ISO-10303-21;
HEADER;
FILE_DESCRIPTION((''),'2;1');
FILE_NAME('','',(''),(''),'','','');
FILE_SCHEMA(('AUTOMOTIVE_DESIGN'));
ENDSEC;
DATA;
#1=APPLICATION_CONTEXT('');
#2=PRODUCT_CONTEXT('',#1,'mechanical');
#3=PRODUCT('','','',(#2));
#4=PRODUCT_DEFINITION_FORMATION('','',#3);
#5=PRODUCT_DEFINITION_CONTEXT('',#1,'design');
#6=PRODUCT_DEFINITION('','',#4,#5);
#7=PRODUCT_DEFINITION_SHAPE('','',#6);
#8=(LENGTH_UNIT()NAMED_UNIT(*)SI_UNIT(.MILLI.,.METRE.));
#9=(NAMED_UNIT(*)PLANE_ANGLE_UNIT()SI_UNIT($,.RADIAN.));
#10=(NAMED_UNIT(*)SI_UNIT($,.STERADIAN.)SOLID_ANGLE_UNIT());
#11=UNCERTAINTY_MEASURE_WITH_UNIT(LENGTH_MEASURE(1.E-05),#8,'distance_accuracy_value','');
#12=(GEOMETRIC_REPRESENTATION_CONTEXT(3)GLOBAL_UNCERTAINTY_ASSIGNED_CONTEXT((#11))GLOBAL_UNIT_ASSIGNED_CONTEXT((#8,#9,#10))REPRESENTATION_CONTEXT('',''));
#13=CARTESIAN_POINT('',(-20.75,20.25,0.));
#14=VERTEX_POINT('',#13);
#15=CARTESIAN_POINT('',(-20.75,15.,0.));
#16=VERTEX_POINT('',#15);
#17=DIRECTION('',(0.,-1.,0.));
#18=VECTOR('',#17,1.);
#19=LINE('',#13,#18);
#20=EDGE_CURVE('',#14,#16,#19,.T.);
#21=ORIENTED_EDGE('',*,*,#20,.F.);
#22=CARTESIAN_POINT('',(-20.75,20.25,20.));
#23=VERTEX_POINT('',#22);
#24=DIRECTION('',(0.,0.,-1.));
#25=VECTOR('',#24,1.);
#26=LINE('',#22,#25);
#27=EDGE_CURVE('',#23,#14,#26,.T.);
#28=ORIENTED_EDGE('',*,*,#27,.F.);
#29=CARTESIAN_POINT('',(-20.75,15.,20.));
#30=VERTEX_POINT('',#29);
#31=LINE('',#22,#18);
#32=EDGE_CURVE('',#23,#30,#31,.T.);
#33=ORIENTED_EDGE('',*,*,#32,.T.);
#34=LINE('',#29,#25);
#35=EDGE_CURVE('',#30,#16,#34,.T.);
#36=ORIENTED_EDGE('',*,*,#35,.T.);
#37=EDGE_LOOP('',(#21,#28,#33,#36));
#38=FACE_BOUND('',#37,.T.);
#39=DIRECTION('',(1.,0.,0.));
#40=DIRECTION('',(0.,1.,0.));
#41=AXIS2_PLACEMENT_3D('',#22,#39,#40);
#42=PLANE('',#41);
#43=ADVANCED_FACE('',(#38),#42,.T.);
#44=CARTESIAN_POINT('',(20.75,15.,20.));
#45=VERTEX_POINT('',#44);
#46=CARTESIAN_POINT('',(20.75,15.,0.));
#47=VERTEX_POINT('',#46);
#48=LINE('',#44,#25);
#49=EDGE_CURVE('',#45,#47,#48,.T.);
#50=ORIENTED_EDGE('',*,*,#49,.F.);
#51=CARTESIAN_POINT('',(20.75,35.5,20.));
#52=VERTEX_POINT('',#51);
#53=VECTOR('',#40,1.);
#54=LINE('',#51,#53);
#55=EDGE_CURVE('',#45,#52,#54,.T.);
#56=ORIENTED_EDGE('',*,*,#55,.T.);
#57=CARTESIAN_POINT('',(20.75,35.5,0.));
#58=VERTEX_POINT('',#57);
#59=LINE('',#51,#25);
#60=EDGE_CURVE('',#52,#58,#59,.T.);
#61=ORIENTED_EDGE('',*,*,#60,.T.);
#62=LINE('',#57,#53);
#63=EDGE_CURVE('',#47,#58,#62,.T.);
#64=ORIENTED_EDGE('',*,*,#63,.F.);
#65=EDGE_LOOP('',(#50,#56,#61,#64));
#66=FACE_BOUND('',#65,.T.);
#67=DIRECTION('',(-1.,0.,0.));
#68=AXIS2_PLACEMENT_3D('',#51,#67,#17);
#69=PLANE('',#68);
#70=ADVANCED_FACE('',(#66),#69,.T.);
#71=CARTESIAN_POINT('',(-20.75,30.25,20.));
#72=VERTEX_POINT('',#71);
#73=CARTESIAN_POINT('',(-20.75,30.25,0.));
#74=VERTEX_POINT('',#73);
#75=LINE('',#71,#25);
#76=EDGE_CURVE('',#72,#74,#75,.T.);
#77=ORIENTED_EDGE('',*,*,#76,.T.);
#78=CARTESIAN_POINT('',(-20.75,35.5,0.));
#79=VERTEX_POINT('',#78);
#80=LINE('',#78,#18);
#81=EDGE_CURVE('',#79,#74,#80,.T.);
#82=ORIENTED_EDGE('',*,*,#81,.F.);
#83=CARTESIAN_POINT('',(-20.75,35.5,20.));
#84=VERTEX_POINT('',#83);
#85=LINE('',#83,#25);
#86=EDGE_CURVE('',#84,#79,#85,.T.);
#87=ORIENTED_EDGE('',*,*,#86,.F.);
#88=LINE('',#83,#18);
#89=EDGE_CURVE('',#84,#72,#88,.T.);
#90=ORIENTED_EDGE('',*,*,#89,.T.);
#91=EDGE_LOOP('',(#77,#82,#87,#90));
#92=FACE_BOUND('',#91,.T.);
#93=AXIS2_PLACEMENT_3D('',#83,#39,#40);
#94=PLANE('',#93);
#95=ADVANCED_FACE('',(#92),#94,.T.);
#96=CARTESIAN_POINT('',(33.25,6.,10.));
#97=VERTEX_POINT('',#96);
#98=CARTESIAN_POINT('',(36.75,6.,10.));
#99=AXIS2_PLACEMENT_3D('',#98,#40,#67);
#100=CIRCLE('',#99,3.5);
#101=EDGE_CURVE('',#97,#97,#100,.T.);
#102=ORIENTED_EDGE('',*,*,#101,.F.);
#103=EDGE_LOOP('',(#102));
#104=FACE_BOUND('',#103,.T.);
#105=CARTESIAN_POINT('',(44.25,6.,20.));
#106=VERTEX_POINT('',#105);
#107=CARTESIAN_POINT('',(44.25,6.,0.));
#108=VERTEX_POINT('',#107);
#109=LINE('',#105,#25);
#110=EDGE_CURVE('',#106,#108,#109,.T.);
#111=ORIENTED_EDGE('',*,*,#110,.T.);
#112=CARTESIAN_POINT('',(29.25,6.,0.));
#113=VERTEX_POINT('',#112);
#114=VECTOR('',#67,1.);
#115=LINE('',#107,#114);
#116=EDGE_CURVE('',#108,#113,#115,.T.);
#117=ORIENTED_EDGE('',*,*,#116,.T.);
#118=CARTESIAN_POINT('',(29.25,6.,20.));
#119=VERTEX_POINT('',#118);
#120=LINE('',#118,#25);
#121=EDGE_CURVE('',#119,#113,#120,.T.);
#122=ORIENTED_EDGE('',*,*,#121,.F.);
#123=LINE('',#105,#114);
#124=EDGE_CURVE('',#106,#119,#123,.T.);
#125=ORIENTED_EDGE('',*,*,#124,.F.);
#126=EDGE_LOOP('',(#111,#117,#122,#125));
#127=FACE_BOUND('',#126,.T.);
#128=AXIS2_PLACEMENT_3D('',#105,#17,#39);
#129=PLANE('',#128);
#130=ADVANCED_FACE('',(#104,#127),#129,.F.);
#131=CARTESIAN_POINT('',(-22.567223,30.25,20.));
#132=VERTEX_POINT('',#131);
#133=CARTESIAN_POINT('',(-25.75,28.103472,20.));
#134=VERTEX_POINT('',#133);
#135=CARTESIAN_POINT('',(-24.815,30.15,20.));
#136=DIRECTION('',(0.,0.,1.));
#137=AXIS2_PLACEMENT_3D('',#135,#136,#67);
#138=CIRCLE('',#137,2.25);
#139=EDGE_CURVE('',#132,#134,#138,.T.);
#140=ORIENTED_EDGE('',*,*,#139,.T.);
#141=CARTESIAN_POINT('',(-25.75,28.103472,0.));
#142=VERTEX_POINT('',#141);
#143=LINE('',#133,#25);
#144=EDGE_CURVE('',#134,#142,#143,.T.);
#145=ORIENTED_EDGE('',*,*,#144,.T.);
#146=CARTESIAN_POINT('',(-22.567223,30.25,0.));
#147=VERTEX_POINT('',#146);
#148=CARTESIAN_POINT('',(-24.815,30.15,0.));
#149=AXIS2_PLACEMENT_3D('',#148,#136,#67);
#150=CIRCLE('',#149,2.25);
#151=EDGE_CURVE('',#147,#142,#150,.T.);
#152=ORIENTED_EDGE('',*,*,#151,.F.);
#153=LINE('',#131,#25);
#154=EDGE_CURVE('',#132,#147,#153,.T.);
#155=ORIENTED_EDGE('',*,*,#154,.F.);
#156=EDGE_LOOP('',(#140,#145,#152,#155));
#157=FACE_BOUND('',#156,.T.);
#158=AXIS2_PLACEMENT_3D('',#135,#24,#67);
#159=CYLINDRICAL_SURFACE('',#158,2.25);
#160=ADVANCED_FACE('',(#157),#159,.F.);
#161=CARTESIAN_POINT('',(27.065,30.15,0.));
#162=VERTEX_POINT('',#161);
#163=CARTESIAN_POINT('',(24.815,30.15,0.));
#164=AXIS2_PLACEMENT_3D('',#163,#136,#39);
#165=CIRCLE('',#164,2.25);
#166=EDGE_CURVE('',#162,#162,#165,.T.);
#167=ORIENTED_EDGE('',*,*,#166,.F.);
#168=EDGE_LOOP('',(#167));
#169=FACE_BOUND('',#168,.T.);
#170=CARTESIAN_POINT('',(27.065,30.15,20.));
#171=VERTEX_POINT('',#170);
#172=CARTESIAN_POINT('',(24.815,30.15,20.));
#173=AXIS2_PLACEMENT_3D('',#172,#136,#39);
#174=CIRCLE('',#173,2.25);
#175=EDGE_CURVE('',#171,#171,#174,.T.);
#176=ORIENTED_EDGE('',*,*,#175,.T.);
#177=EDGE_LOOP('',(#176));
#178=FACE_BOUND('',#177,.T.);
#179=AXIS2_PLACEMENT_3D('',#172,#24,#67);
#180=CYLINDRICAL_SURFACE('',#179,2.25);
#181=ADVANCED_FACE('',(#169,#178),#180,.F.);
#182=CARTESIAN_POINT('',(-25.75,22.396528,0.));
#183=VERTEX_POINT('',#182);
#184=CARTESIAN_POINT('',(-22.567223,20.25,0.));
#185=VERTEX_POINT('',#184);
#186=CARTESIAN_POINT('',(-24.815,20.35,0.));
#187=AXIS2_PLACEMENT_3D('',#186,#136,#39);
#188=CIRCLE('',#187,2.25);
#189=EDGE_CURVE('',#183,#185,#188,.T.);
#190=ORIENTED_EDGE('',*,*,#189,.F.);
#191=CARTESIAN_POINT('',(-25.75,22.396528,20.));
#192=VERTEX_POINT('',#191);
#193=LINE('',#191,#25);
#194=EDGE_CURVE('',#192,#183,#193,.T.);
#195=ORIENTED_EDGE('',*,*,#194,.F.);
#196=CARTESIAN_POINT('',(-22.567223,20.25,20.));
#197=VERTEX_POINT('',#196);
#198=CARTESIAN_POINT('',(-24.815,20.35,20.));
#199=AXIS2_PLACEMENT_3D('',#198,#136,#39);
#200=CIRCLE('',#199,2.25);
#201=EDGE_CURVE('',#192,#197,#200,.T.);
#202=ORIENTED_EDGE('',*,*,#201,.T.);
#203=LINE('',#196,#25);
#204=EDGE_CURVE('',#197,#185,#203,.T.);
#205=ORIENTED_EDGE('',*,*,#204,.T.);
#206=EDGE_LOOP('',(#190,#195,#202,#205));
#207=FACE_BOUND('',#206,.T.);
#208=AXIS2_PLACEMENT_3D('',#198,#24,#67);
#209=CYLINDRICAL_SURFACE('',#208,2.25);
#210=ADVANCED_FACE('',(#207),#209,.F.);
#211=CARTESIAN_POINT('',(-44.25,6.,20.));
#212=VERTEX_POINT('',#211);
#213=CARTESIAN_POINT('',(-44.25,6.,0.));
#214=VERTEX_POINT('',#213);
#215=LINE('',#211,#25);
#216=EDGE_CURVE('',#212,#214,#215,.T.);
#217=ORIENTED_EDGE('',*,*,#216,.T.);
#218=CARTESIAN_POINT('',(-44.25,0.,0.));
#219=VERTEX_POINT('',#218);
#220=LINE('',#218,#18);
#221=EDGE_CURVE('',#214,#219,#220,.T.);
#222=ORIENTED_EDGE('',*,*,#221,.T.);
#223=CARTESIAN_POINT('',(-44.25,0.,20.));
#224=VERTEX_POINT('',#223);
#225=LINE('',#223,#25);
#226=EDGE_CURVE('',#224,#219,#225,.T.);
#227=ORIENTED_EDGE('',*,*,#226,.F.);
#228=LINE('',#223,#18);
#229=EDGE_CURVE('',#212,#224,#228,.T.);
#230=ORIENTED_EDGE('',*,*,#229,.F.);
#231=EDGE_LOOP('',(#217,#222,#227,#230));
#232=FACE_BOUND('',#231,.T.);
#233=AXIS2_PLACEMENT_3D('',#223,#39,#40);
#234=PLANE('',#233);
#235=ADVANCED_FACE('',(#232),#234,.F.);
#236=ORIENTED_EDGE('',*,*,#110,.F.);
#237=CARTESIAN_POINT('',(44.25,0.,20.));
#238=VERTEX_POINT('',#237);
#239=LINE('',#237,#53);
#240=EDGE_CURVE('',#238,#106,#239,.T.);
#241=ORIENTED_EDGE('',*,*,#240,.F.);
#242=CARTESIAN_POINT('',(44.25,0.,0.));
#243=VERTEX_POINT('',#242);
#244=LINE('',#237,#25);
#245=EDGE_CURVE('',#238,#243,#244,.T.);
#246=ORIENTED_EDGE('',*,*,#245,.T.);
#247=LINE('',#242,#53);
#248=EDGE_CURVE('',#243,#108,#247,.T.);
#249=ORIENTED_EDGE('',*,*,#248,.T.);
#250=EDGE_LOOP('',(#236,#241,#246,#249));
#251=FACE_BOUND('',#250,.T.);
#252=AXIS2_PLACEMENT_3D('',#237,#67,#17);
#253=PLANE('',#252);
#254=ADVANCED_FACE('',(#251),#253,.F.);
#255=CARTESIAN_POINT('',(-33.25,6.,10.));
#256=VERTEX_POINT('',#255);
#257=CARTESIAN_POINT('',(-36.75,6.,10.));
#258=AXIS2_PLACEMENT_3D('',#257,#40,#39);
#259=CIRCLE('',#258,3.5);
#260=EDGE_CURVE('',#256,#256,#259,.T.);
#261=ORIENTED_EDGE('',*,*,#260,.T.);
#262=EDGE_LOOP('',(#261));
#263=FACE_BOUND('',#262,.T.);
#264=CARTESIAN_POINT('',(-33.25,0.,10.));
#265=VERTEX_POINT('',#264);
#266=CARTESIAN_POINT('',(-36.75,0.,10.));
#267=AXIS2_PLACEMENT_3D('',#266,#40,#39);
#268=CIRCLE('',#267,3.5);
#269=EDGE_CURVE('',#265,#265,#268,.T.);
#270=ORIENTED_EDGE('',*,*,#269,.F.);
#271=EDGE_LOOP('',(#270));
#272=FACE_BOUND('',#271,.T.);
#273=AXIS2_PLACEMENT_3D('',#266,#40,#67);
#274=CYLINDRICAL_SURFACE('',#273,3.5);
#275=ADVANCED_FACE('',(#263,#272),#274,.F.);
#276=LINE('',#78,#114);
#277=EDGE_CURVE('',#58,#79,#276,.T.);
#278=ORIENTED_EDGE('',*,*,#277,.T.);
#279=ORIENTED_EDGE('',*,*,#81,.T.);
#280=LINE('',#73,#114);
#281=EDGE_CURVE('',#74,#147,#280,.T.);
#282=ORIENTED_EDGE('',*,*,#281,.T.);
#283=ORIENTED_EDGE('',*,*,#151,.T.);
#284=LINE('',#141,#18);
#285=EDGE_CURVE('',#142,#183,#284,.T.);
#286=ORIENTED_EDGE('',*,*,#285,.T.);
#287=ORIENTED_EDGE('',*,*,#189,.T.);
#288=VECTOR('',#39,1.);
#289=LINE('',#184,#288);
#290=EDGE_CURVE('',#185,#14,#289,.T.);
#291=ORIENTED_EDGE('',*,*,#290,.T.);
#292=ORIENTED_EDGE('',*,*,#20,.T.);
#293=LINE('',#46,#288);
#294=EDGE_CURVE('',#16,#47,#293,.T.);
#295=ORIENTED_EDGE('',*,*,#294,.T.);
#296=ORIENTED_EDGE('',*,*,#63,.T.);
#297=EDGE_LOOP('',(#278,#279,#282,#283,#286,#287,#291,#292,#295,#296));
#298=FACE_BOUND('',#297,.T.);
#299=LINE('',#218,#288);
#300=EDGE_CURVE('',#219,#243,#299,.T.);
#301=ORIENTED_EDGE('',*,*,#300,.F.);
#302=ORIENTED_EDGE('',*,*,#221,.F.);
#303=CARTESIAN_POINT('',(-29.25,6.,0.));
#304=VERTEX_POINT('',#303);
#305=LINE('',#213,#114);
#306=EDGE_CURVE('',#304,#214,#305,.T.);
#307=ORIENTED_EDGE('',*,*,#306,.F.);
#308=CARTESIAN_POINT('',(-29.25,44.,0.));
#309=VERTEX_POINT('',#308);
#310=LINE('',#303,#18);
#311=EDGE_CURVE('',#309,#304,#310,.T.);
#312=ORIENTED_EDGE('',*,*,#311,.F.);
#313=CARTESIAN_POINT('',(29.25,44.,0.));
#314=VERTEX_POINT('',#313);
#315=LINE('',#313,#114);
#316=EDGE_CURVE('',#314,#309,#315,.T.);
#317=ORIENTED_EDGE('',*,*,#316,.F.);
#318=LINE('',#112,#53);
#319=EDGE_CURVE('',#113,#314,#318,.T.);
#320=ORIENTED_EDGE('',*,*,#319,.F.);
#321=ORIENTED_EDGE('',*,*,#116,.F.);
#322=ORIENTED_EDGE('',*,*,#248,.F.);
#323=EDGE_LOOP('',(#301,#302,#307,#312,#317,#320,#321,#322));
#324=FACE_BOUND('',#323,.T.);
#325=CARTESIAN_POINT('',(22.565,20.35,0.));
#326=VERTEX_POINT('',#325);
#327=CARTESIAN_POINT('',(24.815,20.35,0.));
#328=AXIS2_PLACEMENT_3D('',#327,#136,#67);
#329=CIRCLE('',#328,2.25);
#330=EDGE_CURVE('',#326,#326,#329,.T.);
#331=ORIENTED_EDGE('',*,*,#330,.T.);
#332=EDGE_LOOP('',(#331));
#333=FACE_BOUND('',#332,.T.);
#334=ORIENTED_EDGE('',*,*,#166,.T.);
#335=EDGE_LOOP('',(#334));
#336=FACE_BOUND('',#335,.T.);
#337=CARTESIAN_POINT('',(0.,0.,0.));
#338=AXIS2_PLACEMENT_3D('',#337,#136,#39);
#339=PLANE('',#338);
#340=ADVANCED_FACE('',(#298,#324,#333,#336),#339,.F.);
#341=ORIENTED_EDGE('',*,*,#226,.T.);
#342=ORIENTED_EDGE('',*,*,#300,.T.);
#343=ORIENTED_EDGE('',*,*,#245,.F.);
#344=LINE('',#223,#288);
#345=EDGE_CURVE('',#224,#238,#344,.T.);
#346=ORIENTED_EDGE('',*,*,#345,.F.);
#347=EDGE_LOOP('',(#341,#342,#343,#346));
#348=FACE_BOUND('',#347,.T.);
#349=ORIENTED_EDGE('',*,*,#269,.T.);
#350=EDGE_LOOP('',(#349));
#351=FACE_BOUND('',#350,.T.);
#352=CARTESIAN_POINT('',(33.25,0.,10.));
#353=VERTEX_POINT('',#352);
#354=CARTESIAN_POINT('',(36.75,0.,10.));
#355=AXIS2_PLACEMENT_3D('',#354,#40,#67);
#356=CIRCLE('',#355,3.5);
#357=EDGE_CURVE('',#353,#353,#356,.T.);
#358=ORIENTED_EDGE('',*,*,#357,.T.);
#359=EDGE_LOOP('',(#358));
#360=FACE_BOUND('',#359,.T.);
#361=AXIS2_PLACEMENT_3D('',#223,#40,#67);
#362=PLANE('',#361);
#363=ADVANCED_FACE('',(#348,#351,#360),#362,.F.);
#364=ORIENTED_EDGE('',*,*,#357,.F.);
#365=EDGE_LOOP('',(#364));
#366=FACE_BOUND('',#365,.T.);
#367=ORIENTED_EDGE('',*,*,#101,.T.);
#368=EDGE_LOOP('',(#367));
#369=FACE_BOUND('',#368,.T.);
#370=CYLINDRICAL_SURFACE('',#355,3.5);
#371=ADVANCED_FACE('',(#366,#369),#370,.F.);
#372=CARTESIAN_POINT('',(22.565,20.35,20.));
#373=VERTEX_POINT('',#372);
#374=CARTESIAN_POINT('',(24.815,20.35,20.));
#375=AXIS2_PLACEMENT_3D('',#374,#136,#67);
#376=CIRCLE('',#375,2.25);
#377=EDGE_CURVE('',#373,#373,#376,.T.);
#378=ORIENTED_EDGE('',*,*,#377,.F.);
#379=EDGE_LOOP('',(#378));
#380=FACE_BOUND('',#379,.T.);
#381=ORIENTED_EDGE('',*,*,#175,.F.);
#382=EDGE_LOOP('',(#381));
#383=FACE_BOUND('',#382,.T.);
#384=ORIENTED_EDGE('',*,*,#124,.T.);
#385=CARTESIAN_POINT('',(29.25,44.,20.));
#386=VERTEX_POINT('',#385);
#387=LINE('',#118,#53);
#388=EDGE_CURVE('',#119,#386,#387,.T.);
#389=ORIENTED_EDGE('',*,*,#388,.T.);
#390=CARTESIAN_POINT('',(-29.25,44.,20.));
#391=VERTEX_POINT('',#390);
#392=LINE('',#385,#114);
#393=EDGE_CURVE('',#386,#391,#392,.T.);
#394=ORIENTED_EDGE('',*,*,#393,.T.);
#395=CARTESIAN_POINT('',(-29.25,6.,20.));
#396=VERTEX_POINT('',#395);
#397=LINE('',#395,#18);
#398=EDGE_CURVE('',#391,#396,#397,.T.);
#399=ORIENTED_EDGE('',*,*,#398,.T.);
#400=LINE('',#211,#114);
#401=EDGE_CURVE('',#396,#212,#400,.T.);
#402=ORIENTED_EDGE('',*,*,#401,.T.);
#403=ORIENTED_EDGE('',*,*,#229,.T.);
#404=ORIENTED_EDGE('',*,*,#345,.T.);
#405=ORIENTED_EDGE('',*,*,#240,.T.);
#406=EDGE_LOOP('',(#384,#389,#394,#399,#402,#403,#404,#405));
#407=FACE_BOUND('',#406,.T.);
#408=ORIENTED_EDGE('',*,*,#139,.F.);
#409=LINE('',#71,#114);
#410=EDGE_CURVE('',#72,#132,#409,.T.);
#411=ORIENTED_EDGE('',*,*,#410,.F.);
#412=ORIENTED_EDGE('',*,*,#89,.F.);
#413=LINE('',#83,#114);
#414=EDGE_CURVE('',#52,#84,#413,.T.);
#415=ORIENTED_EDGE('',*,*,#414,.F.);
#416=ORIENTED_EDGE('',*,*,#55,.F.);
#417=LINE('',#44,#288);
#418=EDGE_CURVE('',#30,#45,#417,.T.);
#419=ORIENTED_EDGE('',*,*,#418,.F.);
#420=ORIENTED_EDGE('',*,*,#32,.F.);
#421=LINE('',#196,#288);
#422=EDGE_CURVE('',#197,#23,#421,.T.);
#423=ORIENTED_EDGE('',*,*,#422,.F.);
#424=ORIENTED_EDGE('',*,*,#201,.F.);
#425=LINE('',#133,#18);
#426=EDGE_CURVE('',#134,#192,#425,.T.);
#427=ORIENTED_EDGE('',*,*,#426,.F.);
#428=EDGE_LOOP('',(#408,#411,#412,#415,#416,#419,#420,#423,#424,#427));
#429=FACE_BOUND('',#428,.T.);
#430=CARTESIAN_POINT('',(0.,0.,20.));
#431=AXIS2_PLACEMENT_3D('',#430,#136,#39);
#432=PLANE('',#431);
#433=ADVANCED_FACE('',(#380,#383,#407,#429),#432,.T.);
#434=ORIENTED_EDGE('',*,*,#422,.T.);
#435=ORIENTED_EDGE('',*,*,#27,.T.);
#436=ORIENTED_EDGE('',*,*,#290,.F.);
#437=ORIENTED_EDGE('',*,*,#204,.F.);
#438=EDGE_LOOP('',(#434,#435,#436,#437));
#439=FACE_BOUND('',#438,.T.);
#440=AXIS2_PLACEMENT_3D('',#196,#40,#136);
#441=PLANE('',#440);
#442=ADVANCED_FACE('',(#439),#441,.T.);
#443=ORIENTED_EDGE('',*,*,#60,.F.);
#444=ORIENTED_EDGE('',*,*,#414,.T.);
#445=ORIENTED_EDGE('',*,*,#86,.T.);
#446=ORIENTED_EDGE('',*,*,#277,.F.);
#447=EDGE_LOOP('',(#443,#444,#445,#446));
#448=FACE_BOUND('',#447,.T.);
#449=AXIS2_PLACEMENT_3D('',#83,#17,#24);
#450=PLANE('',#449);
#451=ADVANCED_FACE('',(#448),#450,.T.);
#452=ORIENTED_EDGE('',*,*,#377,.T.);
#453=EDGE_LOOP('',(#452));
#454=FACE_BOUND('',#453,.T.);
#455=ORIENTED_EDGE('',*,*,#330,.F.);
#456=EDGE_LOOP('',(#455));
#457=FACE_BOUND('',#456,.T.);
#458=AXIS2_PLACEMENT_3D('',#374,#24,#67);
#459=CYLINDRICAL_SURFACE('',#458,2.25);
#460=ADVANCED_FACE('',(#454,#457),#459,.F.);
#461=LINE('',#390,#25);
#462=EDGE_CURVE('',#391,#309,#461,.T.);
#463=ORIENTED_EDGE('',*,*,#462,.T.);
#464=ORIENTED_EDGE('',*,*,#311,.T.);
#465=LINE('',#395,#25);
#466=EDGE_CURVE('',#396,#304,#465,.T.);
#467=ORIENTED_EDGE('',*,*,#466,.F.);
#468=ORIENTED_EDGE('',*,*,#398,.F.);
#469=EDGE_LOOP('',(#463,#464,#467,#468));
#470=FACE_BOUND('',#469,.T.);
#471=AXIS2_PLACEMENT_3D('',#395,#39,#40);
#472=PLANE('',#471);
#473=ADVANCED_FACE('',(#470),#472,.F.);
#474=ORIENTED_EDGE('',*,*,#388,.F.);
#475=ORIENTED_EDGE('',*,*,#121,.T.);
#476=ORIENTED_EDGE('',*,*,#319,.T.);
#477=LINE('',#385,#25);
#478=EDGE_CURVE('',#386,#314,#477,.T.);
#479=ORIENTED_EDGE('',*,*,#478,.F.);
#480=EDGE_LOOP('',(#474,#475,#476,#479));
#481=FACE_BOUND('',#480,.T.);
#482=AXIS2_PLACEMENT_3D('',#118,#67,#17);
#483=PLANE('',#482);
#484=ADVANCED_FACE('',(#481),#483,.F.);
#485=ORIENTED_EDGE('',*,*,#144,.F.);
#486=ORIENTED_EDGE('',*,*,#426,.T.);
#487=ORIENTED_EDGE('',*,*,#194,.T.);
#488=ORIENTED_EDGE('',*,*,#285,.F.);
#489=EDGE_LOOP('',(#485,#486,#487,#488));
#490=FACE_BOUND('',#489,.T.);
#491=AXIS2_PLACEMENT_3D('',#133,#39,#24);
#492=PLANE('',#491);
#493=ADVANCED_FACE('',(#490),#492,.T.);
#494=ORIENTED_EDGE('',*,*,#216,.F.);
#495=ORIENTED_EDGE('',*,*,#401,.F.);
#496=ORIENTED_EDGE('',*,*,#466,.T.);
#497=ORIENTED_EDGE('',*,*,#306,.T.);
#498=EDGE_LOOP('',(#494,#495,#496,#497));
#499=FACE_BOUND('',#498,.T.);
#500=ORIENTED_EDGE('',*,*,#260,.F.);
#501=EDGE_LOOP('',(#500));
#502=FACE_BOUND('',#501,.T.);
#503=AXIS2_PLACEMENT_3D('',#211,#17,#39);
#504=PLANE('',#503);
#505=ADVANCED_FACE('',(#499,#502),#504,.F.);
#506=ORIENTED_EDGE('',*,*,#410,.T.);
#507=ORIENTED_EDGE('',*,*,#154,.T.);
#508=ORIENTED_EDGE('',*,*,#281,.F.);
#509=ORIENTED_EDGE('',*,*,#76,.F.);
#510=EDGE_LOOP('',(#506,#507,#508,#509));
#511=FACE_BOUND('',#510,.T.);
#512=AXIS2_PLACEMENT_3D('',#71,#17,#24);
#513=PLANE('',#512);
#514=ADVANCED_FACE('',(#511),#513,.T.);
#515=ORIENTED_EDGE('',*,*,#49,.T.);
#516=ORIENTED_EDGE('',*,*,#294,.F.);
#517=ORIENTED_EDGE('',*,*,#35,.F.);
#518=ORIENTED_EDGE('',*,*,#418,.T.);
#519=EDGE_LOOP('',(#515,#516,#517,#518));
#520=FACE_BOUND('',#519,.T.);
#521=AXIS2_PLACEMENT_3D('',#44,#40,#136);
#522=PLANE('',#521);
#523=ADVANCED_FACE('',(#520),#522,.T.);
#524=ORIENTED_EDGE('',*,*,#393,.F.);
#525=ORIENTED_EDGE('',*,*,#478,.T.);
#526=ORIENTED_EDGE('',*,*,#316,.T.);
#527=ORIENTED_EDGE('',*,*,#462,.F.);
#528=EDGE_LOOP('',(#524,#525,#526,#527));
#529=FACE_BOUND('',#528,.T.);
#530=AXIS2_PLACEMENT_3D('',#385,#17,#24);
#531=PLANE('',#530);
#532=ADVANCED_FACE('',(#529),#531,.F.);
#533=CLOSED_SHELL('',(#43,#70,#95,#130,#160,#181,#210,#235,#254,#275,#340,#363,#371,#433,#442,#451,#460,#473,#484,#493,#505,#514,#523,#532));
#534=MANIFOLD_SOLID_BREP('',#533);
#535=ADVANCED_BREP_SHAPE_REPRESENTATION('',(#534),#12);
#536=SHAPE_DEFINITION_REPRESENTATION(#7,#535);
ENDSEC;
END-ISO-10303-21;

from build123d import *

# Parameters (mm, degrees)
SKETCH1_R           = 2.25
BOSS_EXTRUDE1_DEPTH = 20
SKETCH2_R           = 3.5
CUT_EXTRUDE1_DEPTH  = 62.660866844


with BuildPart() as part:
    # Sketch1 → Boss-Extrude1 (new body)
    with BuildSketch(Plane.XY):
        Polygon((-44.25, 0), (44.25, 0), (44.25, 6), (29.25, 6), (29.25, 44), (-29.25, 44), (-29.25, 6), (-44.25, 6), align=None)
        with Locations((24.815, 30.15)):
            Circle(SKETCH1_R, mode=Mode.SUBTRACT)
        with Locations(Location((24.815, 20.35, 0), (0, 0, 180))):
            Circle(SKETCH1_R, mode=Mode.SUBTRACT)
        with BuildLine():
            Line((-20.75, 35.5), (20.75, 35.5))
            Line((20.75, 35.5), (20.75, 15))
            Line((20.75, 15), (-20.75, 15))
            Line((-20.75, 15), (-20.75, 20.25))
            Line((-20.75, 20.25), (-22.567223321, 20.25))
            ThreePointArc((-22.567223321, 20.25), (-26.07307026, 18.484588726), (-25.75, 22.396527547))
            Line((-25.75, 22.396527547), (-25.75, 28.103472453))
            ThreePointArc((-25.75, 28.103472453), (-26.07307026, 32.015411274), (-22.567223321, 30.25))
            Line((-22.567223321, 30.25), (-20.75, 30.25))
            Line((-20.75, 30.25), (-20.75, 35.5))
        make_face(mode=Mode.SUBTRACT)
    extrude(amount=BOSS_EXTRUDE1_DEPTH)

    # Sketch2 → Cut-Extrude1 (cut, through all)
    with BuildSketch(Plane(origin=(0, 6, 0), x_dir=(1, 0, 0), z_dir=(0, 1, 0))):
        with Locations(Location((36.75, -10, 0), (0, 0, 180))):
            Circle(SKETCH2_R)
        with Locations((-36.75, -10)):
            Circle(SKETCH2_R)
    extrude(amount=-CUT_EXTRUDE1_DEPTH, mode=Mode.SUBTRACT)


solid = part.part
